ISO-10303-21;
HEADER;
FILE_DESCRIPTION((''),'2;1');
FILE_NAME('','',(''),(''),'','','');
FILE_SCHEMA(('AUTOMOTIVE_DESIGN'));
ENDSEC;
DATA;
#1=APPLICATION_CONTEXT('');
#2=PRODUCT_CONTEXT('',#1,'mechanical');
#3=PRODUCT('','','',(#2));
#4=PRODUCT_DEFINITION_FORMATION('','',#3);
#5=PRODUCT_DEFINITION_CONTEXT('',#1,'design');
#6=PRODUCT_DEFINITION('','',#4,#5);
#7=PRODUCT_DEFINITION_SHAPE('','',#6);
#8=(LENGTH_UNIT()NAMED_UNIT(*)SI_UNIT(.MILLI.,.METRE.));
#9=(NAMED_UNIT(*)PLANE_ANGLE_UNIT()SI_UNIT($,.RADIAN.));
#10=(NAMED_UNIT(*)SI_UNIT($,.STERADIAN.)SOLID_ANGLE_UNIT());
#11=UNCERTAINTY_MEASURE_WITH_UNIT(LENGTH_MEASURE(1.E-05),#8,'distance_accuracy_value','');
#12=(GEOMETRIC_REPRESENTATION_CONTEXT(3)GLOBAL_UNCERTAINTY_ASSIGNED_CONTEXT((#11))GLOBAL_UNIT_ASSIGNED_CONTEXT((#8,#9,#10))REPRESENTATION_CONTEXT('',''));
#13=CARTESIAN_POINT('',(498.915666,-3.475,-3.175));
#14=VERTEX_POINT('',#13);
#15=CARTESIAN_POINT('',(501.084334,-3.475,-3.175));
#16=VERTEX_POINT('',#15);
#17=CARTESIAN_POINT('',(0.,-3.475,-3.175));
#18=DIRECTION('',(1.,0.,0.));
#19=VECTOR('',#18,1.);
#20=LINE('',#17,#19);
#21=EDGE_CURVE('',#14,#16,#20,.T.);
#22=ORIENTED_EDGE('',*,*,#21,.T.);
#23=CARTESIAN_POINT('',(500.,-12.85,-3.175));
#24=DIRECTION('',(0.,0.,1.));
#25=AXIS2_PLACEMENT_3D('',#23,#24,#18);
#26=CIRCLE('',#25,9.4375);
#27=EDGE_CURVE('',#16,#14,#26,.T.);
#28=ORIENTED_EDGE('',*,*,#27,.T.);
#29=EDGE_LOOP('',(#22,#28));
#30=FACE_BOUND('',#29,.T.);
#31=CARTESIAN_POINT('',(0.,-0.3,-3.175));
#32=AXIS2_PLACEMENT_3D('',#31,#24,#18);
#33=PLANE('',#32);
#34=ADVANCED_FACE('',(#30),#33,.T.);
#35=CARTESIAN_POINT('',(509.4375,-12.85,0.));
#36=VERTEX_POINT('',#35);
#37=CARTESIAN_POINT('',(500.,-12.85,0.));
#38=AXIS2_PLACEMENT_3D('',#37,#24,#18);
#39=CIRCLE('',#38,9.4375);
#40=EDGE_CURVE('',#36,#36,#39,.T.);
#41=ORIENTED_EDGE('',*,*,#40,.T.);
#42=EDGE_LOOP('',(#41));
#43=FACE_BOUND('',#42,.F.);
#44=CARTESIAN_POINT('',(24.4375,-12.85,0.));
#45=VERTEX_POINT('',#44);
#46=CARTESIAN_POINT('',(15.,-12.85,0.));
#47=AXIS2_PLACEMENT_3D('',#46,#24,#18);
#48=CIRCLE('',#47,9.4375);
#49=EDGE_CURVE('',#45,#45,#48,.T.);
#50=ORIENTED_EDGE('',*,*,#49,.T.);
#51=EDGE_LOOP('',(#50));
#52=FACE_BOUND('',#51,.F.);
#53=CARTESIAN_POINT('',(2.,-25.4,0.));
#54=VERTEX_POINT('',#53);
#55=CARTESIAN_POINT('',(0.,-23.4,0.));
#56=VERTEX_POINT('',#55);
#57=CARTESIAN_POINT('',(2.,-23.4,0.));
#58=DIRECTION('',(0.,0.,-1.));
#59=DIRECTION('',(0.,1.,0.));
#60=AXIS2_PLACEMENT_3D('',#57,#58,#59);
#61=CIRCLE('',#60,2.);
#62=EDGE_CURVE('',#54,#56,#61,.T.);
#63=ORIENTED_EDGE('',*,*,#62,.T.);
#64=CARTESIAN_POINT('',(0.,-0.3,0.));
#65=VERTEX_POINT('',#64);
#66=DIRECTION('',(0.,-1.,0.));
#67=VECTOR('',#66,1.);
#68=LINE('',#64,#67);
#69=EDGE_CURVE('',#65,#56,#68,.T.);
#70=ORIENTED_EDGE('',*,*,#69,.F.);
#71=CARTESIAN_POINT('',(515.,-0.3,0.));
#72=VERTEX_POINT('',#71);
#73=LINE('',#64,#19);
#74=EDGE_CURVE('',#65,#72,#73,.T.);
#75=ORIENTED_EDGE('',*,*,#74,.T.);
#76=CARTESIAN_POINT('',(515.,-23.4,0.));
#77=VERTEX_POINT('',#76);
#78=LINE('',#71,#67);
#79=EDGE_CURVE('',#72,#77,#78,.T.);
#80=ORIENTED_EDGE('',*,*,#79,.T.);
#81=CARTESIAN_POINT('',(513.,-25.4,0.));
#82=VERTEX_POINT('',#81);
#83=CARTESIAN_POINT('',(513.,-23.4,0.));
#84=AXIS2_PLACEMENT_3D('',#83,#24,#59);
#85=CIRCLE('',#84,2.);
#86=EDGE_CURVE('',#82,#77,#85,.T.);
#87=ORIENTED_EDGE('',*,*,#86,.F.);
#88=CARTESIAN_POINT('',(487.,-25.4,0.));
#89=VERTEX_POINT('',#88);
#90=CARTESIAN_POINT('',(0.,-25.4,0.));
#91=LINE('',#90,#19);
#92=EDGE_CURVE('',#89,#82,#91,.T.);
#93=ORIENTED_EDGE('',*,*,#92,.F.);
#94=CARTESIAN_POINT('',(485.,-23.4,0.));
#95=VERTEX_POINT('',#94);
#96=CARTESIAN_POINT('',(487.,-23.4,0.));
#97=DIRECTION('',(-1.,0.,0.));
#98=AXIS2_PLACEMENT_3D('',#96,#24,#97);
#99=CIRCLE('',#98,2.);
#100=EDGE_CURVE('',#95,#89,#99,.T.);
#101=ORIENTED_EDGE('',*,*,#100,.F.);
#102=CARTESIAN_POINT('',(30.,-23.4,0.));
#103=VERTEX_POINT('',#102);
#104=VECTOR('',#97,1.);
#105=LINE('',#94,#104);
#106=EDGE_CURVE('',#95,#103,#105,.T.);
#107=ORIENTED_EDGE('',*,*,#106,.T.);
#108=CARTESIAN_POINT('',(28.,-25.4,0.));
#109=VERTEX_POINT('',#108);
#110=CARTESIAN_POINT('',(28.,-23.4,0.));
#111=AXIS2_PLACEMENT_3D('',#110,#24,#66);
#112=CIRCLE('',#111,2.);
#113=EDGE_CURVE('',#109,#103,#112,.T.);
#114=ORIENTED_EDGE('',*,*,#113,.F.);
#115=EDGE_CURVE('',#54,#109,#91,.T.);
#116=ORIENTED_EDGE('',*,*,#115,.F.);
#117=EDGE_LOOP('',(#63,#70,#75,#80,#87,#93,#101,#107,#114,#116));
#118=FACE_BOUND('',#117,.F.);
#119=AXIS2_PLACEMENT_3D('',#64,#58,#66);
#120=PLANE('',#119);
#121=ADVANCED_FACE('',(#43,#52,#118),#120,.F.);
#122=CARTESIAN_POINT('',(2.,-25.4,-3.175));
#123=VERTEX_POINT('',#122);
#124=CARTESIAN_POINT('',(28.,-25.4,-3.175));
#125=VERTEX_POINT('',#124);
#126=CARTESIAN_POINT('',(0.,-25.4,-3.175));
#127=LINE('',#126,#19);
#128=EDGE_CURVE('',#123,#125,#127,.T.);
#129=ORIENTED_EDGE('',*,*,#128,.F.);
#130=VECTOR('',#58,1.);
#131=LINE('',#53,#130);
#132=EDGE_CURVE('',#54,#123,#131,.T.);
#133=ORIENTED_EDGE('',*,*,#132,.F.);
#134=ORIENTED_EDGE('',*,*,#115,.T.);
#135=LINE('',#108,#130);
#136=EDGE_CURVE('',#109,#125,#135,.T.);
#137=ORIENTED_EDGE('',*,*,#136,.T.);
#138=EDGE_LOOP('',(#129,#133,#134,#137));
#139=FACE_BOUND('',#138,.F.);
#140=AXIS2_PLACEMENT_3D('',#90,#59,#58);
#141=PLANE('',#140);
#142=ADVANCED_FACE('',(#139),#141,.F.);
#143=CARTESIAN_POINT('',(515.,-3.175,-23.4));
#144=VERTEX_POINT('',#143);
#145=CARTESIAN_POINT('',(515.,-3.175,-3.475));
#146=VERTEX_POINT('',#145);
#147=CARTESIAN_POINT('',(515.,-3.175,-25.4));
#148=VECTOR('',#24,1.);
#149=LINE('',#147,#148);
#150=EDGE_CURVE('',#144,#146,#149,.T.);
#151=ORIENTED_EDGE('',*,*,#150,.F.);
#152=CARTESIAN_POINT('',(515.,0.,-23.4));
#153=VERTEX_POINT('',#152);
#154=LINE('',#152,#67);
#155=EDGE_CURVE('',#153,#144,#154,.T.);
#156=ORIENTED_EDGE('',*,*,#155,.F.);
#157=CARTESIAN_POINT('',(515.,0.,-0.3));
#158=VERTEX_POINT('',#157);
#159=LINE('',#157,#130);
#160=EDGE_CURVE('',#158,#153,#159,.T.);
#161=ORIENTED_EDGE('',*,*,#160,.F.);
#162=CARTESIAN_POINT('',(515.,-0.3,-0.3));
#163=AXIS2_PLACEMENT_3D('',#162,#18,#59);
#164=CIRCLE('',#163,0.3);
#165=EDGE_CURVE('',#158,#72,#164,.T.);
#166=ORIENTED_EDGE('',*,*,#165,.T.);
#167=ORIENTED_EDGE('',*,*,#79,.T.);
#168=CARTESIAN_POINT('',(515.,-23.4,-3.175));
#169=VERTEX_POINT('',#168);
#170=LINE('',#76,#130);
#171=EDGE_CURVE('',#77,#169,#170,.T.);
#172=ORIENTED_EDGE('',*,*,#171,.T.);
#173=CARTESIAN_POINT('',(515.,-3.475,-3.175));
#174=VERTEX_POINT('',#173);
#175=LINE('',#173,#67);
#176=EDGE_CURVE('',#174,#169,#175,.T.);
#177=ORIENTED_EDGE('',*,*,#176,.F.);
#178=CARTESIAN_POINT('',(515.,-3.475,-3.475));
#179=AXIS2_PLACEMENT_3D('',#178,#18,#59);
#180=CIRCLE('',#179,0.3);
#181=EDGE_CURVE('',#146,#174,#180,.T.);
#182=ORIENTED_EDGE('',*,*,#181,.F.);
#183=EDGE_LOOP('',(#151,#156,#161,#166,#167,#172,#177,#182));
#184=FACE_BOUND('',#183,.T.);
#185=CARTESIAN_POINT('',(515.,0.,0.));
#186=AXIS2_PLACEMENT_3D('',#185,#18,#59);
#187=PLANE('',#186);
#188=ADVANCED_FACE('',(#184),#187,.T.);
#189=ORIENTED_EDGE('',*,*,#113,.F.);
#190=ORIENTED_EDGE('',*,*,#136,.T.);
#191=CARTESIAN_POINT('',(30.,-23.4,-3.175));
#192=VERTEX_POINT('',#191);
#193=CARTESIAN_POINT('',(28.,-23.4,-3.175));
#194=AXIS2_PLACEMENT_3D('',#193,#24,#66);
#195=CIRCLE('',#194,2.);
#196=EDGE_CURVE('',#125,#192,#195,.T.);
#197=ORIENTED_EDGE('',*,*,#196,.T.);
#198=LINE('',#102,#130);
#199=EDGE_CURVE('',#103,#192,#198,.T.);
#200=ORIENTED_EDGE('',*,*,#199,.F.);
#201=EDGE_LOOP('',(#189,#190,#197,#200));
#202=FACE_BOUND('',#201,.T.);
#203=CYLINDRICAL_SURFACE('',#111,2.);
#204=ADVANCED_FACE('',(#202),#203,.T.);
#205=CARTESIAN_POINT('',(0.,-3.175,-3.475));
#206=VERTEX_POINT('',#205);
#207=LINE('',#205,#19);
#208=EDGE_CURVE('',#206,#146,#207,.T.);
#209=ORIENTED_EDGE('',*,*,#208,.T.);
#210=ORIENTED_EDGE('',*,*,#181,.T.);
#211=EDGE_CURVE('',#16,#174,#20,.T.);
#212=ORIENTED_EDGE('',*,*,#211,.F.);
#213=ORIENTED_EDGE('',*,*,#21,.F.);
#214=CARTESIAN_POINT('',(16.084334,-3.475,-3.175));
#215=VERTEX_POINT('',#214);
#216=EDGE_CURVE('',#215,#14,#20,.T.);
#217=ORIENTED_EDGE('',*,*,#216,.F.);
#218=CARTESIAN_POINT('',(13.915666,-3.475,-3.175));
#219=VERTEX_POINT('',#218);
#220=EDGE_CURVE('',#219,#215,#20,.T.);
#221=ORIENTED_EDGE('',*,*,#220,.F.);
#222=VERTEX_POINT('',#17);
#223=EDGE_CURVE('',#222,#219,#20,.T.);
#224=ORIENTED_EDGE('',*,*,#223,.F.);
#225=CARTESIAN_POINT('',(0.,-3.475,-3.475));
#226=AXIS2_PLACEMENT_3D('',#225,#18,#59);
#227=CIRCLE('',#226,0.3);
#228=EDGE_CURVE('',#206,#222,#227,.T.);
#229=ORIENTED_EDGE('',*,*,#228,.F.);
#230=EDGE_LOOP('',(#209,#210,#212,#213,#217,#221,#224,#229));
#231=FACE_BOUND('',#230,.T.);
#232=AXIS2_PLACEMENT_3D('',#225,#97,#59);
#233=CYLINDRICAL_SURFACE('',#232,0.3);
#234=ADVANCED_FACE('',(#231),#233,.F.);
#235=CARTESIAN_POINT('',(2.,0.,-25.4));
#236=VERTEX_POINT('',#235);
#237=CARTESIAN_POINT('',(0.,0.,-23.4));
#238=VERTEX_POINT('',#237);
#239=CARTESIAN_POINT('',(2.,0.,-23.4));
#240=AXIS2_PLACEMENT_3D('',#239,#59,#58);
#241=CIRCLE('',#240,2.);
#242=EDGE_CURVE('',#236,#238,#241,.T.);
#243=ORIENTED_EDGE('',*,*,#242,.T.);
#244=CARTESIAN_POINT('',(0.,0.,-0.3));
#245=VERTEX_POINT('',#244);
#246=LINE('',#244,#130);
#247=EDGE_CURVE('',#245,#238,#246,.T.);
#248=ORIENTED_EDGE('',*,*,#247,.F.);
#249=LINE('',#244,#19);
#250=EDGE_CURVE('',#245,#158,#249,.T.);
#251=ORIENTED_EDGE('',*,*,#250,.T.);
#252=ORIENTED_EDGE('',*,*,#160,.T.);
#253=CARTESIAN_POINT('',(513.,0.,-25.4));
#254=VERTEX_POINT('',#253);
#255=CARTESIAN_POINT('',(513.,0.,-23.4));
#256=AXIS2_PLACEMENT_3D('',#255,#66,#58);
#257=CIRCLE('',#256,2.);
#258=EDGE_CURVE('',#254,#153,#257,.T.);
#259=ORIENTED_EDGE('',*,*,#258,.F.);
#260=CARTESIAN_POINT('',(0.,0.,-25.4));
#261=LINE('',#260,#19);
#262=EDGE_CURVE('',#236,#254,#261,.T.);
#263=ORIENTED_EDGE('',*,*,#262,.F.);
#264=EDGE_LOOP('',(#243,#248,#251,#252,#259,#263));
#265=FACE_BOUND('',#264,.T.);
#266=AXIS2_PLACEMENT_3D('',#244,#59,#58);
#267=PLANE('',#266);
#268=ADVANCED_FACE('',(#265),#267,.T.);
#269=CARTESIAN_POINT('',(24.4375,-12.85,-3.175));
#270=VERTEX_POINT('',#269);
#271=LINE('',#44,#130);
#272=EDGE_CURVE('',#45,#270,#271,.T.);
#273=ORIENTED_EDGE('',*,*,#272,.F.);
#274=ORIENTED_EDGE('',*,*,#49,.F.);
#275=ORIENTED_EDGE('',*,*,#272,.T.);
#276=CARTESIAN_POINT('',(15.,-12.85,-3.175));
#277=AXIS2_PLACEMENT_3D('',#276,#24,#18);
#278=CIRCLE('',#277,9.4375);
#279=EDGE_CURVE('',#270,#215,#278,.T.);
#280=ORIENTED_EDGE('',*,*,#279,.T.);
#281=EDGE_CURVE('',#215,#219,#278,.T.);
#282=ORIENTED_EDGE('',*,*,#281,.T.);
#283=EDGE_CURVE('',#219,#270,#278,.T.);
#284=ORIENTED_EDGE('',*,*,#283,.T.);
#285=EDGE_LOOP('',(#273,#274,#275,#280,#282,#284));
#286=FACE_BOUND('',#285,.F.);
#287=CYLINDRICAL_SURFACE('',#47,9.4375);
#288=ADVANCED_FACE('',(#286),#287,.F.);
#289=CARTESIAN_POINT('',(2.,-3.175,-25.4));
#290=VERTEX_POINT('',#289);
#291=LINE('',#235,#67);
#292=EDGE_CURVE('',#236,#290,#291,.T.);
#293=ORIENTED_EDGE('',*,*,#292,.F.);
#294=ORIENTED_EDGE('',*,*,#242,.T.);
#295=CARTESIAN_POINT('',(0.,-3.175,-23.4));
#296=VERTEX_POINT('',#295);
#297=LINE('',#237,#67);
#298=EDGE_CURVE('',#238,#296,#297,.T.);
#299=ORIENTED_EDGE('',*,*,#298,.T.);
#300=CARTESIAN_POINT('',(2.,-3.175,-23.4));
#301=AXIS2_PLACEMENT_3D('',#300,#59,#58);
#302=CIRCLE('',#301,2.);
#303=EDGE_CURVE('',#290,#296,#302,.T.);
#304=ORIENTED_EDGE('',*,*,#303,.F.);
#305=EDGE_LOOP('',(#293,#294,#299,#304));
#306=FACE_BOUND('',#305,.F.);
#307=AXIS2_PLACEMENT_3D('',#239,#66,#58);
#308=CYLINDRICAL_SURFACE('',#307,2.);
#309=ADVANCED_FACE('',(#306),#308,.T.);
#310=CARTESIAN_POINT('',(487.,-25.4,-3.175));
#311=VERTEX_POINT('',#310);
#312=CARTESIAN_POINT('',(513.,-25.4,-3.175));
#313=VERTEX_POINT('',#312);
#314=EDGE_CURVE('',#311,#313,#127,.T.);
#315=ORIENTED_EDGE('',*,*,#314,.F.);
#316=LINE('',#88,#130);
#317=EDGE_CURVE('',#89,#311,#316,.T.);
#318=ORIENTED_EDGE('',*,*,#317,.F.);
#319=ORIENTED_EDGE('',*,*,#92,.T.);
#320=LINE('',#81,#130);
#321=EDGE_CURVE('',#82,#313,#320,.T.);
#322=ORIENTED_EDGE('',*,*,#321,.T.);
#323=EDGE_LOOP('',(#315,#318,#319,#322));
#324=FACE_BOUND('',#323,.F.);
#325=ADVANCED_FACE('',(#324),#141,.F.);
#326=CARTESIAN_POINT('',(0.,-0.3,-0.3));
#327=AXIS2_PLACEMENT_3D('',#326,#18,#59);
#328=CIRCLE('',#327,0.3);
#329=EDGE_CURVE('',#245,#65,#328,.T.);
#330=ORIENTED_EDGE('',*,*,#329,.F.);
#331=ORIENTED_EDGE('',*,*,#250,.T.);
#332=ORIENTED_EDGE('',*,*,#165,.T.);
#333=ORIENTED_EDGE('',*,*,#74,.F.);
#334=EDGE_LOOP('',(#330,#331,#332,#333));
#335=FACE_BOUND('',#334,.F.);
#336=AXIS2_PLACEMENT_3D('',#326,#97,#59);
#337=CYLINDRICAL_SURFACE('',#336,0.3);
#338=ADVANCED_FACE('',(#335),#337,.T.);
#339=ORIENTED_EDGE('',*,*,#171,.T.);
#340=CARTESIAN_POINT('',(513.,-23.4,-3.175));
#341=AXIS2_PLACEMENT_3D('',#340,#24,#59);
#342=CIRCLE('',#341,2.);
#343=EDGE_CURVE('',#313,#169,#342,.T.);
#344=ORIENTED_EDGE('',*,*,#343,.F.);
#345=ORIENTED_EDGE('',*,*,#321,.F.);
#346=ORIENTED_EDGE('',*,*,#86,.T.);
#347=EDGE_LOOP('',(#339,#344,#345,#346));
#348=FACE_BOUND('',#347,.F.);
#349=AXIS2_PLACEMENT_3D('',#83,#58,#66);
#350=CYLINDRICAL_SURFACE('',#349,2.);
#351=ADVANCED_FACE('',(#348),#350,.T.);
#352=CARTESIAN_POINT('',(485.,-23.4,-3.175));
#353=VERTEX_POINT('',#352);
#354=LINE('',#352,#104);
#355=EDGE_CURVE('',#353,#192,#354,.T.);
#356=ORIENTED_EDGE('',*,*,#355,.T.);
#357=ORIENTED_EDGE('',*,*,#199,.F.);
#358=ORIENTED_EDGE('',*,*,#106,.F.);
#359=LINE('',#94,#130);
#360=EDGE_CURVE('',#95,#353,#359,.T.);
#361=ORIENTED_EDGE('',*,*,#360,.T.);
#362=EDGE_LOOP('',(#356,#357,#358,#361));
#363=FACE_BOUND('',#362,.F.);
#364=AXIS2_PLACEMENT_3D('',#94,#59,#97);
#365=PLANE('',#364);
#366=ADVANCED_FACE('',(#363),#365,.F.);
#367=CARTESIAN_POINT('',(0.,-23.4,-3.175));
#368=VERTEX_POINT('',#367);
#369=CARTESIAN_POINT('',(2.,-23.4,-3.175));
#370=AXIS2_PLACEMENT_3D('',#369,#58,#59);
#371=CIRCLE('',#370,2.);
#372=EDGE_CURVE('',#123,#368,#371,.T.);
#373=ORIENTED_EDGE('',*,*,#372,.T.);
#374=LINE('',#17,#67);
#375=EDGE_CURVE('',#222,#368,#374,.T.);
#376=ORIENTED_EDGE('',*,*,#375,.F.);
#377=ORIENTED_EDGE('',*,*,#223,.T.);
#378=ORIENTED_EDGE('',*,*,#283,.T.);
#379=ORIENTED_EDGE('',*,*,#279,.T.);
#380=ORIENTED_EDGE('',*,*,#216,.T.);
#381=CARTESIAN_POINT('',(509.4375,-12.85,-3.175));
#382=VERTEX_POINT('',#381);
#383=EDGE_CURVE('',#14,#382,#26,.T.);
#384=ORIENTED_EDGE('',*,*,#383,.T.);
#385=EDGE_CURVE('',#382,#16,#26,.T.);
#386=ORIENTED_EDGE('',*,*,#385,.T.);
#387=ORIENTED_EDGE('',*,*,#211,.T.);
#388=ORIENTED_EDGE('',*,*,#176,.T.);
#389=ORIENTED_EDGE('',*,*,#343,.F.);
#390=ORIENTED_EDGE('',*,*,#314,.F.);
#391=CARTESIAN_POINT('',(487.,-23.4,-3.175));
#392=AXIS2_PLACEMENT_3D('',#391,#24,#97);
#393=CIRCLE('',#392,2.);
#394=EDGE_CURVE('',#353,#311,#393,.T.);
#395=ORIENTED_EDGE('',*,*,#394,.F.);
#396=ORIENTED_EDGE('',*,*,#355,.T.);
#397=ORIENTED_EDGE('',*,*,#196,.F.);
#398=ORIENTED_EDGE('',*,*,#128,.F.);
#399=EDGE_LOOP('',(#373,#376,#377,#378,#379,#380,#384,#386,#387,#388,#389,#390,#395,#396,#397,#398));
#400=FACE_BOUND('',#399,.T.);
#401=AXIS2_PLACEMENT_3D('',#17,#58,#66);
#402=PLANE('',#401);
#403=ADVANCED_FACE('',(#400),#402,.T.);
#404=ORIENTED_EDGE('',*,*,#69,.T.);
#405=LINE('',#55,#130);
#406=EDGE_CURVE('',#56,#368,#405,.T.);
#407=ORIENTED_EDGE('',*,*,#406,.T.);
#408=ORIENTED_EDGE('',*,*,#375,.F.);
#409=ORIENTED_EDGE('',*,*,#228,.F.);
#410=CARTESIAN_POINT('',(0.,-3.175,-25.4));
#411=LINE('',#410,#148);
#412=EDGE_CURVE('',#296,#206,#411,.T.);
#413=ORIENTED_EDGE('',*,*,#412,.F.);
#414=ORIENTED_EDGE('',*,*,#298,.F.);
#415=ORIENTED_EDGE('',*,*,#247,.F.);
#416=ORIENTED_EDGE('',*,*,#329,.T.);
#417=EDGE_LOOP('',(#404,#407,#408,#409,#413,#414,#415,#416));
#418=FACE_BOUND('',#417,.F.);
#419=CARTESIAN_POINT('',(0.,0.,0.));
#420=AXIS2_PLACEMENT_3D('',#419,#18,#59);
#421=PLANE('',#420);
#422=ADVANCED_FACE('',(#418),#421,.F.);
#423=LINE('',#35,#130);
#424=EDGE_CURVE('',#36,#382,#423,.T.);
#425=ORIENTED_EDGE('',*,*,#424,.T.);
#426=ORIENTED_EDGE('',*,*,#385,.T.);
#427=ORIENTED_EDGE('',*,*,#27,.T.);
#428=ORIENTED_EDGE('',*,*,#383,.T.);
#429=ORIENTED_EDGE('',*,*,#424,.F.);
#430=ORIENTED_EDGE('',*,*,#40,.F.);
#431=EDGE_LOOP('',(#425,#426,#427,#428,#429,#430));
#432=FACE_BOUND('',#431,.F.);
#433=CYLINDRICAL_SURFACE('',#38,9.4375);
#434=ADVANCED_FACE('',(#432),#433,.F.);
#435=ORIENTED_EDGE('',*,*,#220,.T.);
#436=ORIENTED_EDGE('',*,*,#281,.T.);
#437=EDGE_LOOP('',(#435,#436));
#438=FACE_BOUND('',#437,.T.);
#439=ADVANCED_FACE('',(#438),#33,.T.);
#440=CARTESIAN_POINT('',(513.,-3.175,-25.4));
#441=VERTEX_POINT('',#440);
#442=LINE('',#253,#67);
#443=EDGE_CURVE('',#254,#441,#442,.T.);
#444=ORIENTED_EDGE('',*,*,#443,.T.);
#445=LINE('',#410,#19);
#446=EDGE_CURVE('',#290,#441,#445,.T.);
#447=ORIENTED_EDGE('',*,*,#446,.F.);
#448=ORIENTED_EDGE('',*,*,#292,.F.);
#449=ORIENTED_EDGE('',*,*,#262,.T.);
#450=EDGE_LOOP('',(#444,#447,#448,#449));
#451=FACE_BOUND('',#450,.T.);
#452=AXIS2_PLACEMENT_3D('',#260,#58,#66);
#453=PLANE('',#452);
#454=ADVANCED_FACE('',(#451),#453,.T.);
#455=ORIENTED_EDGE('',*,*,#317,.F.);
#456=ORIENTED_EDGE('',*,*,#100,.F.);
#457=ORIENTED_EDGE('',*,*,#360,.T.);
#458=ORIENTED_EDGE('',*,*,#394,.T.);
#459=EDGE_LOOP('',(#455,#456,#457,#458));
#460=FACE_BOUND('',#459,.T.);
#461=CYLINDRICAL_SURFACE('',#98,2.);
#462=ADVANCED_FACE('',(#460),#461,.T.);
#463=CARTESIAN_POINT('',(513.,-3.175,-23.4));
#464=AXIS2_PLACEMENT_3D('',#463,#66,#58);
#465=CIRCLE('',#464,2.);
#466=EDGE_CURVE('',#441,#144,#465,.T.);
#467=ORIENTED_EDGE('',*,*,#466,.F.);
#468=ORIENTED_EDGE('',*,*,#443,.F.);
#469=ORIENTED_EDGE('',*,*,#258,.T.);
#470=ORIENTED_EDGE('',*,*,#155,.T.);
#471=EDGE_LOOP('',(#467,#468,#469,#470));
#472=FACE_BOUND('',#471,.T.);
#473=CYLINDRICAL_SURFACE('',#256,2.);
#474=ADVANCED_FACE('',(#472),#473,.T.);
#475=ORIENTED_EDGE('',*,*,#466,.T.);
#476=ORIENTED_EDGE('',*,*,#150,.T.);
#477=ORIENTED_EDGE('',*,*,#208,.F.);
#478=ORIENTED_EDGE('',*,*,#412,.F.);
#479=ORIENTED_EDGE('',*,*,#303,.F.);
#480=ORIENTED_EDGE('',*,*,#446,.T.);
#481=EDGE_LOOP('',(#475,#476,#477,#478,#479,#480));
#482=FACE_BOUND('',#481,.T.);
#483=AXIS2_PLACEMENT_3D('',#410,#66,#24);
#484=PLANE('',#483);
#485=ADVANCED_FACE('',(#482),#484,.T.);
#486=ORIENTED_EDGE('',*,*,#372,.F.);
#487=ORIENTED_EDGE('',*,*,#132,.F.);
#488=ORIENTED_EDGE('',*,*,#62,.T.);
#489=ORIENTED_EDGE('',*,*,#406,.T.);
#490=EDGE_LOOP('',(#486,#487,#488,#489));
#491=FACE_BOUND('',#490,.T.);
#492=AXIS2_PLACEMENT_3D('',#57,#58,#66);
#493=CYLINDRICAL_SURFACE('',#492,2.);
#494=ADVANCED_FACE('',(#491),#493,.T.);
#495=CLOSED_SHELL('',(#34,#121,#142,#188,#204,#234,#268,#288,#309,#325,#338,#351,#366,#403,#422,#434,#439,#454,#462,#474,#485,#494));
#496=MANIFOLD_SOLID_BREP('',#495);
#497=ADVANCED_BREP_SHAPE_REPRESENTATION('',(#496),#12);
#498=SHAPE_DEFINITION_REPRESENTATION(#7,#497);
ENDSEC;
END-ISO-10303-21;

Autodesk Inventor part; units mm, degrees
ref_plane "YZ Plane" through (0, 0, 0) normal (1, 0, 0) x (0, 1, 0)
ref_plane "XZ Plane" through (0, 0, 0) normal (0, 1, 0) x (-1, 0, 0)
ref_plane "XY Plane" through (0, 0, 0) normal (0, 0, 1) x (1, 0, 0)
sketch "Boceto1" plane through (0, 0, 0) normal (1, 0, 0) x (0, 1, 0)
  line L0 (0, -0.3) -> (0, -25.4)
  line L1 (-0.3, 0) -> (-25.4, 0)
  arc A0 (0, -0.3) -> (-0.3, 0) centre (-0.3, -0.3) ccw
  line L2 (-25.4, 0) -> (-25.4, -3.175)
  line L3 (0, -25.4) -> (-3.175, -25.4)
  line L4 (-3.175, -25.4) -> (-3.175, -3.475)
  line L5 (-3.475, -3.175) -> (-25.4, -3.175)
  arc A1 (-3.175, -3.475) -> (-3.475, -3.175) centre (-3.475, -3.475) ccw
  point P0 (0, 0)
  dimension "d0" = 25.4
  dimension "d1" = 25.4
  dimension "d2" = 0.3
  dimension "d3" = 3.175
  dimension "d4" = 3.175
  dimension "d5" = 0.3
extrude "Extrusión1" add sketch "Boceto1" along normal blind 515
fillet "Empalme1" radius 2 4 edges at (515, -25.4, -1.5875) (515, -1.5875, -25.4) (0, -25.4, -1.5875) (0, -1.5875, -25.4)
sketch "Boceto3" plane through (0, -0.3, 0) normal (0, 0, 1) x (1, 0, 0)
  line L0 (0, 0) -> (515, 0) construction
  line L1 (257.5, 0) -> (257.5, -25.1) construction
  line L2 (2, -25.1) -> (513, -25.1) construction
  line L3 (257.5, -12.55) -> (500, -12.55) construction
  line L4 (257.5, -12.55) -> (15, -12.55) construction
  circle A0 centre (15, -12.55) radius 9.4375
  circle A1 centre (500, -12.55) radius 9.4375
  dimension "d11" = 242.5
  dimension "d12" = 242.5
  dimension "d13" = 18.875
  dimension "d16" = 18.875
extrude "Extrusión2" cut sketch "Boceto3" against normal up to surface (3.175 mm away)
sketch "Boceto4" plane through (0, -0.3, 0) normal (0, 0, 1) x (1, 0, 0)
  arc A0 (13.9157, -3.175) -> (16.0843, -3.175) centre (15, -12.55) ccw projected
  line L0 (2, -25.1) -> (513, -25.1) construction
  line L1 (30, -23.1) -> (30, 0) construction
  line L2 (0, 0) -> (515, 0) construction
  line L3 (28, -25.1) -> (2, -25.1) construction
  arc A1 (28, -25.1) -> (30, -23.1) centre (28, -23.1) ccw
  circle A2 centre (500, -12.55) radius 9.4375 construction
  line L4 (515, -23.1) -> (515, -3.175) construction
  line L5 (485, -23.1) -> (485, 0) construction
  line L6 (487, -25.1) -> (513, -25.1) construction
  arc A3 (485, -23.1) -> (487, -25.1) centre (487, -23.1) ccw
  line L7 (485, -23.1) -> (30, -23.1)
  line L8 (28, -25.1) -> (487, -25.1)
  point P0 (0, 0.3)
  point P1 (30, -25.1)
  point P2 (485, -25.1)
  dimension "d20" = 2
  dimension "d23" = 2
extrude "Extrusión3" cut sketch "Boceto4" against normal up to surface (3.175 mm away)
properties part number "angulo_caja_calor" material "Acero inoxidable AISI 304"
